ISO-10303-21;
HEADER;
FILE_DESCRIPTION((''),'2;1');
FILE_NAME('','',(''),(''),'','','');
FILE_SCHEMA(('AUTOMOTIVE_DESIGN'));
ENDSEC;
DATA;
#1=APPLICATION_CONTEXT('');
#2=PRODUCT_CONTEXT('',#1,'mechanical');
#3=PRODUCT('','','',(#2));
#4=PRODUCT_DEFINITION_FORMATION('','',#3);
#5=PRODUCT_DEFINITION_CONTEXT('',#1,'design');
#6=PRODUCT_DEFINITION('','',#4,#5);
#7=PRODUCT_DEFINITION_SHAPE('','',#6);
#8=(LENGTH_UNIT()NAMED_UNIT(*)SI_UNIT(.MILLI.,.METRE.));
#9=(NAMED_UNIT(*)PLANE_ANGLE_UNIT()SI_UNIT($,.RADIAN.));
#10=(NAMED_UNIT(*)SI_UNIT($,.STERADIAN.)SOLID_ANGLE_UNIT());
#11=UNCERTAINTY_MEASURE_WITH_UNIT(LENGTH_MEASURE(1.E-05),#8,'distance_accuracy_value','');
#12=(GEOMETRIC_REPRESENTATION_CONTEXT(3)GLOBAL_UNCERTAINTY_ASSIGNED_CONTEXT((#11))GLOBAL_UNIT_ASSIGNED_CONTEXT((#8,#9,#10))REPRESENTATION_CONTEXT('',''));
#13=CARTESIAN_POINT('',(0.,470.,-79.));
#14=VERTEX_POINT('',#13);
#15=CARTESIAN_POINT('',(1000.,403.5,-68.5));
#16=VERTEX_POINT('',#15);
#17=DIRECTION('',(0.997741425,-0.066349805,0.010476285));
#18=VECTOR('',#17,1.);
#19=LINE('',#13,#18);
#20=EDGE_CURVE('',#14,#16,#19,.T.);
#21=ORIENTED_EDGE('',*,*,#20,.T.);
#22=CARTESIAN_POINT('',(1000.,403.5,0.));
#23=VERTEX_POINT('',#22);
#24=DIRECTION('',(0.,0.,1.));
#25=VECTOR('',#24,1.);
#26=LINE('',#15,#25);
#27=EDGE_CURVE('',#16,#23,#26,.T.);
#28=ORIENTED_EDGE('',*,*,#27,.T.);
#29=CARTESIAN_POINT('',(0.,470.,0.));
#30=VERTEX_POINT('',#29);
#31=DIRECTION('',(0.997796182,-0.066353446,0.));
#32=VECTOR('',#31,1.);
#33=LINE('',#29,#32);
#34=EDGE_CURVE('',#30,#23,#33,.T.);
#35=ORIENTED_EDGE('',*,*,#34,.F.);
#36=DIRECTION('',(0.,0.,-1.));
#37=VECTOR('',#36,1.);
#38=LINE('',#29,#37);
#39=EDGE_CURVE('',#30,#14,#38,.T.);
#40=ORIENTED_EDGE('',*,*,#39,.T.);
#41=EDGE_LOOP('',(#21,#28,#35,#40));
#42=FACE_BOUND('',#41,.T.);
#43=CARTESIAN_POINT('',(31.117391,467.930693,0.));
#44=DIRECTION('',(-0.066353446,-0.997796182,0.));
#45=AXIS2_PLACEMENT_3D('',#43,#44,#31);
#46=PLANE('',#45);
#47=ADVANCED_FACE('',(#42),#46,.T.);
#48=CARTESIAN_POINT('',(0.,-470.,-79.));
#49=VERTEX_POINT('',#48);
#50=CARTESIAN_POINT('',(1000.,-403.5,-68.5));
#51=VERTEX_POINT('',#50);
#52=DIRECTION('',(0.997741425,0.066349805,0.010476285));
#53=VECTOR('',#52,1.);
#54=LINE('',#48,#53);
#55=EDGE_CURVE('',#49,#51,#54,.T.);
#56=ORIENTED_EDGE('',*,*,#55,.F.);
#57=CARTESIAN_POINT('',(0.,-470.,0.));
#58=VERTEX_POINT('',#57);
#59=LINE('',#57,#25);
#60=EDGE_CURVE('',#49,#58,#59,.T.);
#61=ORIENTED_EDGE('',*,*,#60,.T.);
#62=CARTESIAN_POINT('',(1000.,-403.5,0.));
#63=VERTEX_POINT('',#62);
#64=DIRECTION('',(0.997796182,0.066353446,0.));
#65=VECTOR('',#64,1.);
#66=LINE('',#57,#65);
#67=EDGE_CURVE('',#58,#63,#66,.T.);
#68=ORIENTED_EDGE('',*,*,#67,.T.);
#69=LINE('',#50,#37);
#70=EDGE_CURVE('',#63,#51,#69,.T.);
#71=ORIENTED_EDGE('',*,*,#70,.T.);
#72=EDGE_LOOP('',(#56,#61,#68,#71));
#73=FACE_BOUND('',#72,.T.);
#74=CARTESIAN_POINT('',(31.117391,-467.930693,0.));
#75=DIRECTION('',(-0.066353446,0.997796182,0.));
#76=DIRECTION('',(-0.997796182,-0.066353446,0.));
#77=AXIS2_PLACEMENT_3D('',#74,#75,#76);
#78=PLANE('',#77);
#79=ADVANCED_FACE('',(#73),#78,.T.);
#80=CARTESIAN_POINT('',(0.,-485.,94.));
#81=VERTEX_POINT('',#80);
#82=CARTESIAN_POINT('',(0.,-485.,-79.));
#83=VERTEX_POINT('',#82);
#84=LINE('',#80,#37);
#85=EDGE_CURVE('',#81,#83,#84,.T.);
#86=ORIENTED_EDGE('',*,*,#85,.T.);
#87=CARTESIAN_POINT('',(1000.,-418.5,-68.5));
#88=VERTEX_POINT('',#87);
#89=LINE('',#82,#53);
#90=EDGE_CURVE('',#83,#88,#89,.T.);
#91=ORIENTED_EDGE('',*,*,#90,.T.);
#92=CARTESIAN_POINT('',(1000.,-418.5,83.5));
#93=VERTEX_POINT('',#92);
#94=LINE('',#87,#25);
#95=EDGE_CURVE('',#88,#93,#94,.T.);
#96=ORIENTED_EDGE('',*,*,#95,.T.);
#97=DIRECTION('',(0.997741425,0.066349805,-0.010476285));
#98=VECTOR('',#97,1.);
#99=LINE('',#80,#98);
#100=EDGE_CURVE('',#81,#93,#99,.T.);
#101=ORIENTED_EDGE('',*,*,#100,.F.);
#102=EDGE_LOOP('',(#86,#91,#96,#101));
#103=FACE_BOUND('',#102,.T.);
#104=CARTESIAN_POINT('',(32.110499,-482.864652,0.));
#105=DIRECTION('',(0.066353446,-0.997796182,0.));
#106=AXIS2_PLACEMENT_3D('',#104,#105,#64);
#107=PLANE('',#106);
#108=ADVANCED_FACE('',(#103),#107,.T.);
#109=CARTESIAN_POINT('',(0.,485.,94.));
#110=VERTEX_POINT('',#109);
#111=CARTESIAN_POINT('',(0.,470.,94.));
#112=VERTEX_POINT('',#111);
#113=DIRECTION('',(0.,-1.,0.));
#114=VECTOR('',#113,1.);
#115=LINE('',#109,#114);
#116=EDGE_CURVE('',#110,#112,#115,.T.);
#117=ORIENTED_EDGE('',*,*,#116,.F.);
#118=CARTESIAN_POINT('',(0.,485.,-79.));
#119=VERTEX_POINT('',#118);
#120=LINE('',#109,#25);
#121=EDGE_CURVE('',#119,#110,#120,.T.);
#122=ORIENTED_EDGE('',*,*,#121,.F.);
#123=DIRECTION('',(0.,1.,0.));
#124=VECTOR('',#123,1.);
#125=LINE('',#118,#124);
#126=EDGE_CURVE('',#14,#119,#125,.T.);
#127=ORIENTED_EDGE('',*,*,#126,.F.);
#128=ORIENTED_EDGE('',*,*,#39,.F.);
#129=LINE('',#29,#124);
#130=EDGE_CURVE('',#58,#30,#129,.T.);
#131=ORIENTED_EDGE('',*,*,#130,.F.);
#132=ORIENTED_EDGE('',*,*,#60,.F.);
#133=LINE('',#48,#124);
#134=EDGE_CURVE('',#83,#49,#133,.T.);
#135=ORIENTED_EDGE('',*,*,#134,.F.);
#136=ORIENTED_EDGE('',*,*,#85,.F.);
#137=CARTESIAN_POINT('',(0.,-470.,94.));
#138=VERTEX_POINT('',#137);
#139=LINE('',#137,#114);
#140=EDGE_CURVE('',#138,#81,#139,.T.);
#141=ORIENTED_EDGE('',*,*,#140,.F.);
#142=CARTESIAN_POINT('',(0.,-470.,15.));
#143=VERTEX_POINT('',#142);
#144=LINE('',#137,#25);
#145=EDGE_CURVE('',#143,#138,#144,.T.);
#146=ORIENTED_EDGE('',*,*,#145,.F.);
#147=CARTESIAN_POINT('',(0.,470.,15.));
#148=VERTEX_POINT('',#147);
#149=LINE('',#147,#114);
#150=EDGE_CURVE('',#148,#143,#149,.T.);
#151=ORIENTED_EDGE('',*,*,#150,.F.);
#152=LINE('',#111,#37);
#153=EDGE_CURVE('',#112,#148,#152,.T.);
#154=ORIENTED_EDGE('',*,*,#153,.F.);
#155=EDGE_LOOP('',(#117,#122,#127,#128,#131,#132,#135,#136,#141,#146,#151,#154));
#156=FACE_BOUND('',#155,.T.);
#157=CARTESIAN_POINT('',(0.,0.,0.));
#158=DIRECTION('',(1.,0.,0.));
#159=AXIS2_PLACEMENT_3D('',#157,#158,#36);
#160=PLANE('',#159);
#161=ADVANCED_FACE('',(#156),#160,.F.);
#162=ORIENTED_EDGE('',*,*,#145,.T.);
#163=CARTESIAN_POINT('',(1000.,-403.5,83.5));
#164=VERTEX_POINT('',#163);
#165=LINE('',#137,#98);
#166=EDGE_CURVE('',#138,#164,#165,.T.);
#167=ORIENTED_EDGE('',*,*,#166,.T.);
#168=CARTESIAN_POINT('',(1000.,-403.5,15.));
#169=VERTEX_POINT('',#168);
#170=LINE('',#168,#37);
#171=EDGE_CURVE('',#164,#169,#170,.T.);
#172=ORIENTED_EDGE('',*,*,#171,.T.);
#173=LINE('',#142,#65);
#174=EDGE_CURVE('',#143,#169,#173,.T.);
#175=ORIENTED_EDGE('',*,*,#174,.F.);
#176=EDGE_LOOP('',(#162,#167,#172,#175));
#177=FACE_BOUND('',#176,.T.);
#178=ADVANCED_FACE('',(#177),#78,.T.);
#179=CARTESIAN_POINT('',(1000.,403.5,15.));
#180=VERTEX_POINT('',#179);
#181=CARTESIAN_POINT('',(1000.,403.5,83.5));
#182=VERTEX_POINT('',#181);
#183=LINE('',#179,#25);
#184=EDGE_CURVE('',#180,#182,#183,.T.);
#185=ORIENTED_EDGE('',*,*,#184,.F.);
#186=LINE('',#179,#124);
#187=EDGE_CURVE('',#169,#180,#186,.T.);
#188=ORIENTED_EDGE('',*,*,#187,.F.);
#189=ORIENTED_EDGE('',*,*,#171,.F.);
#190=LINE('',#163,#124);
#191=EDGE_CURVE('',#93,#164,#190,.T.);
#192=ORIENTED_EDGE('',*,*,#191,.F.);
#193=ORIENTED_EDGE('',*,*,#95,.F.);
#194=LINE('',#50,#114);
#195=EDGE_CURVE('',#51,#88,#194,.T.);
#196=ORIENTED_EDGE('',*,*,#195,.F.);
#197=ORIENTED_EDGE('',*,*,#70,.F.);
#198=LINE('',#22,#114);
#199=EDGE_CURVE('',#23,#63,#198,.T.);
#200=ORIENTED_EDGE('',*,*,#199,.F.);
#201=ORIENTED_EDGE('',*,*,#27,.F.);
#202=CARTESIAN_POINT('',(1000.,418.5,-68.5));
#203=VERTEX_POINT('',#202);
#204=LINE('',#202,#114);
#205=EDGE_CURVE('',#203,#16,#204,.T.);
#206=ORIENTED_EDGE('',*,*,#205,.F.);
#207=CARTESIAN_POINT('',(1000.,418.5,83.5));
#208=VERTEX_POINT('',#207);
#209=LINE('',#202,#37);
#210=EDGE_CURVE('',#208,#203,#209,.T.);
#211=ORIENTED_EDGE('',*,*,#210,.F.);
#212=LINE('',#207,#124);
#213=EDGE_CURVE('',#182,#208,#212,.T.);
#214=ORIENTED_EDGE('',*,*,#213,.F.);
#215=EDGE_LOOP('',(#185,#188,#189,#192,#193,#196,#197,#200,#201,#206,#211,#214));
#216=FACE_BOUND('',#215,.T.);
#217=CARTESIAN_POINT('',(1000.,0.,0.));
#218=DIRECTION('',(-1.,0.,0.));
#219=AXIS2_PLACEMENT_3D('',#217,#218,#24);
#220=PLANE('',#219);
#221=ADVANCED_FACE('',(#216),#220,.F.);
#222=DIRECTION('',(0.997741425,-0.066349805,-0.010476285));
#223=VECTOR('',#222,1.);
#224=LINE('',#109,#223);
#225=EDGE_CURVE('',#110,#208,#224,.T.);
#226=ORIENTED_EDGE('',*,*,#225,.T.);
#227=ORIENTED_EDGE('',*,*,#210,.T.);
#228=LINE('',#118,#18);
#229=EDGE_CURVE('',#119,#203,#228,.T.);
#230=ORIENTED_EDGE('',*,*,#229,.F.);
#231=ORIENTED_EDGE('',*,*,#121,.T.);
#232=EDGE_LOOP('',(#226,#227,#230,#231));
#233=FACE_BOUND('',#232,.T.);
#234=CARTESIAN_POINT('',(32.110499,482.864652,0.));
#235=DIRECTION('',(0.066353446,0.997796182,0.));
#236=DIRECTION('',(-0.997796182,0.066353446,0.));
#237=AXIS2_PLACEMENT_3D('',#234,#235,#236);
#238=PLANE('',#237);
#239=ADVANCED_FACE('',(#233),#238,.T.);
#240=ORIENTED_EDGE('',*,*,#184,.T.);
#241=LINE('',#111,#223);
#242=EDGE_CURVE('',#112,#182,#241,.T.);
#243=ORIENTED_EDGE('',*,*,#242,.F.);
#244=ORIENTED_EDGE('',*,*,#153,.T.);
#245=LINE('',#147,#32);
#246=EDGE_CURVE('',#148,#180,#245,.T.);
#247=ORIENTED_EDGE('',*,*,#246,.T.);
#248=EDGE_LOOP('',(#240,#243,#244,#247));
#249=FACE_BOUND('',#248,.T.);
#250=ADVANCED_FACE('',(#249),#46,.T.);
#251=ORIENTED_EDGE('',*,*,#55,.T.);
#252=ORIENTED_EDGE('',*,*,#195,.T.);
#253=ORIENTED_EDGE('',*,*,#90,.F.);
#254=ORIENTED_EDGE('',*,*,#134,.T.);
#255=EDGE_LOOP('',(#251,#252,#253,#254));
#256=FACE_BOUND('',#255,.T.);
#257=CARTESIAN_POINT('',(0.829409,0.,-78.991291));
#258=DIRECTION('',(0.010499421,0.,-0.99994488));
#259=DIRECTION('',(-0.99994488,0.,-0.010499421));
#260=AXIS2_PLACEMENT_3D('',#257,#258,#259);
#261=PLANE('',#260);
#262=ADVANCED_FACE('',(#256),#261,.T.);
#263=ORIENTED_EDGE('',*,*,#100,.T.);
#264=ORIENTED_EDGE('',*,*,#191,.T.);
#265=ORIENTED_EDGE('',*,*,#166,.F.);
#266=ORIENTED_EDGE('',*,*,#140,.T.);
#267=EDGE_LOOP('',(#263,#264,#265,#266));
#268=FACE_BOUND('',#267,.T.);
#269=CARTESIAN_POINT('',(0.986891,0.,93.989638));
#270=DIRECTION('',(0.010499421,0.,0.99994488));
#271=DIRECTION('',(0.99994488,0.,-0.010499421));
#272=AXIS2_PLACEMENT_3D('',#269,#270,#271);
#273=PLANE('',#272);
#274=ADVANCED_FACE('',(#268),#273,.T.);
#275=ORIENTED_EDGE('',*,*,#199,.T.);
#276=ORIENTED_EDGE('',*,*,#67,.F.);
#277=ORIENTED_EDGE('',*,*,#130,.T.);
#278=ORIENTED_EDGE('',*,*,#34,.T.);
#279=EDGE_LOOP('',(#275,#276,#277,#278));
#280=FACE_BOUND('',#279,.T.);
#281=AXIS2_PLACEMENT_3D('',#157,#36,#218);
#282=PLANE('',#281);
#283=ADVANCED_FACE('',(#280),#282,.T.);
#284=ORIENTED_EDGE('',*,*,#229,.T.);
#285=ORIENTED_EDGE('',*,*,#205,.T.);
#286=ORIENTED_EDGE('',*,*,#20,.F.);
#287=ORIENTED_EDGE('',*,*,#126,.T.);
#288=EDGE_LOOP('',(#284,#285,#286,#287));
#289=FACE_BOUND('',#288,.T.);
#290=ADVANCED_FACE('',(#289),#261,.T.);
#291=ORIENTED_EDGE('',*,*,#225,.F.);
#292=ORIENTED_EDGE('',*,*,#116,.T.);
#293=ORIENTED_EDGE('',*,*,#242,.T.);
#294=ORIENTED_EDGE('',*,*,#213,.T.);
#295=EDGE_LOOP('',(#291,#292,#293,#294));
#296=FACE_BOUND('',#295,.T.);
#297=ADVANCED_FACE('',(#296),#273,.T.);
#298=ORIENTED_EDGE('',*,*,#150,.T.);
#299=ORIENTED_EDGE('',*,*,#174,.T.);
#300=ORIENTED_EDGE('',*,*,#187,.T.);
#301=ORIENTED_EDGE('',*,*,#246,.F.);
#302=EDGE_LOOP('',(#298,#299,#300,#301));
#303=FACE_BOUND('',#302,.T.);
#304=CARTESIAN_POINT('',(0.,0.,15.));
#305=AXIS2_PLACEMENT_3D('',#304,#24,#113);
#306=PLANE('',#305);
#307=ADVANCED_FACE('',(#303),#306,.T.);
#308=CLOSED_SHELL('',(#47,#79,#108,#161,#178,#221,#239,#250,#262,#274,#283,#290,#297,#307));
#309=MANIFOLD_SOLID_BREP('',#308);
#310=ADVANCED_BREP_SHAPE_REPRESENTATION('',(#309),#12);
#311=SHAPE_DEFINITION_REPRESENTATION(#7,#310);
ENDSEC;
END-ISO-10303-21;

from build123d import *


with BuildPart() as part:
    # Sketch1 → Loft l1 section 0
    with BuildSketch(Plane(origin=(0, 0, 0), x_dir=(0, 0, -1), z_dir=(1, 0, 0))):
        Polygon((-94, 485), (79, 485), (79, 470), (0, 470), (0, -470), (79, -470), (79, -485), (-94, -485), (-94, -470), (-15, -470), (-15, 470), (-94, 470), align=None)
    # Sketch4 → Loft l1 section 1
    with BuildSketch(Plane(origin=(1000, 0, -1000), x_dir=(0, 0, 1), z_dir=(-1, 0, 0))):
        Polygon((931.5, 418.5), (1083.5, 418.5), (1083.5, 403.5), (1015, 403.5), (1015, -403.5), (1083.5, -403.5), (1083.5, -418.5), (931.5, -418.5), (931.5, -403.5), (1000, -403.5), (1000, 403.5), (931.5, 403.5), align=None)
    loft()


solid = part.part
